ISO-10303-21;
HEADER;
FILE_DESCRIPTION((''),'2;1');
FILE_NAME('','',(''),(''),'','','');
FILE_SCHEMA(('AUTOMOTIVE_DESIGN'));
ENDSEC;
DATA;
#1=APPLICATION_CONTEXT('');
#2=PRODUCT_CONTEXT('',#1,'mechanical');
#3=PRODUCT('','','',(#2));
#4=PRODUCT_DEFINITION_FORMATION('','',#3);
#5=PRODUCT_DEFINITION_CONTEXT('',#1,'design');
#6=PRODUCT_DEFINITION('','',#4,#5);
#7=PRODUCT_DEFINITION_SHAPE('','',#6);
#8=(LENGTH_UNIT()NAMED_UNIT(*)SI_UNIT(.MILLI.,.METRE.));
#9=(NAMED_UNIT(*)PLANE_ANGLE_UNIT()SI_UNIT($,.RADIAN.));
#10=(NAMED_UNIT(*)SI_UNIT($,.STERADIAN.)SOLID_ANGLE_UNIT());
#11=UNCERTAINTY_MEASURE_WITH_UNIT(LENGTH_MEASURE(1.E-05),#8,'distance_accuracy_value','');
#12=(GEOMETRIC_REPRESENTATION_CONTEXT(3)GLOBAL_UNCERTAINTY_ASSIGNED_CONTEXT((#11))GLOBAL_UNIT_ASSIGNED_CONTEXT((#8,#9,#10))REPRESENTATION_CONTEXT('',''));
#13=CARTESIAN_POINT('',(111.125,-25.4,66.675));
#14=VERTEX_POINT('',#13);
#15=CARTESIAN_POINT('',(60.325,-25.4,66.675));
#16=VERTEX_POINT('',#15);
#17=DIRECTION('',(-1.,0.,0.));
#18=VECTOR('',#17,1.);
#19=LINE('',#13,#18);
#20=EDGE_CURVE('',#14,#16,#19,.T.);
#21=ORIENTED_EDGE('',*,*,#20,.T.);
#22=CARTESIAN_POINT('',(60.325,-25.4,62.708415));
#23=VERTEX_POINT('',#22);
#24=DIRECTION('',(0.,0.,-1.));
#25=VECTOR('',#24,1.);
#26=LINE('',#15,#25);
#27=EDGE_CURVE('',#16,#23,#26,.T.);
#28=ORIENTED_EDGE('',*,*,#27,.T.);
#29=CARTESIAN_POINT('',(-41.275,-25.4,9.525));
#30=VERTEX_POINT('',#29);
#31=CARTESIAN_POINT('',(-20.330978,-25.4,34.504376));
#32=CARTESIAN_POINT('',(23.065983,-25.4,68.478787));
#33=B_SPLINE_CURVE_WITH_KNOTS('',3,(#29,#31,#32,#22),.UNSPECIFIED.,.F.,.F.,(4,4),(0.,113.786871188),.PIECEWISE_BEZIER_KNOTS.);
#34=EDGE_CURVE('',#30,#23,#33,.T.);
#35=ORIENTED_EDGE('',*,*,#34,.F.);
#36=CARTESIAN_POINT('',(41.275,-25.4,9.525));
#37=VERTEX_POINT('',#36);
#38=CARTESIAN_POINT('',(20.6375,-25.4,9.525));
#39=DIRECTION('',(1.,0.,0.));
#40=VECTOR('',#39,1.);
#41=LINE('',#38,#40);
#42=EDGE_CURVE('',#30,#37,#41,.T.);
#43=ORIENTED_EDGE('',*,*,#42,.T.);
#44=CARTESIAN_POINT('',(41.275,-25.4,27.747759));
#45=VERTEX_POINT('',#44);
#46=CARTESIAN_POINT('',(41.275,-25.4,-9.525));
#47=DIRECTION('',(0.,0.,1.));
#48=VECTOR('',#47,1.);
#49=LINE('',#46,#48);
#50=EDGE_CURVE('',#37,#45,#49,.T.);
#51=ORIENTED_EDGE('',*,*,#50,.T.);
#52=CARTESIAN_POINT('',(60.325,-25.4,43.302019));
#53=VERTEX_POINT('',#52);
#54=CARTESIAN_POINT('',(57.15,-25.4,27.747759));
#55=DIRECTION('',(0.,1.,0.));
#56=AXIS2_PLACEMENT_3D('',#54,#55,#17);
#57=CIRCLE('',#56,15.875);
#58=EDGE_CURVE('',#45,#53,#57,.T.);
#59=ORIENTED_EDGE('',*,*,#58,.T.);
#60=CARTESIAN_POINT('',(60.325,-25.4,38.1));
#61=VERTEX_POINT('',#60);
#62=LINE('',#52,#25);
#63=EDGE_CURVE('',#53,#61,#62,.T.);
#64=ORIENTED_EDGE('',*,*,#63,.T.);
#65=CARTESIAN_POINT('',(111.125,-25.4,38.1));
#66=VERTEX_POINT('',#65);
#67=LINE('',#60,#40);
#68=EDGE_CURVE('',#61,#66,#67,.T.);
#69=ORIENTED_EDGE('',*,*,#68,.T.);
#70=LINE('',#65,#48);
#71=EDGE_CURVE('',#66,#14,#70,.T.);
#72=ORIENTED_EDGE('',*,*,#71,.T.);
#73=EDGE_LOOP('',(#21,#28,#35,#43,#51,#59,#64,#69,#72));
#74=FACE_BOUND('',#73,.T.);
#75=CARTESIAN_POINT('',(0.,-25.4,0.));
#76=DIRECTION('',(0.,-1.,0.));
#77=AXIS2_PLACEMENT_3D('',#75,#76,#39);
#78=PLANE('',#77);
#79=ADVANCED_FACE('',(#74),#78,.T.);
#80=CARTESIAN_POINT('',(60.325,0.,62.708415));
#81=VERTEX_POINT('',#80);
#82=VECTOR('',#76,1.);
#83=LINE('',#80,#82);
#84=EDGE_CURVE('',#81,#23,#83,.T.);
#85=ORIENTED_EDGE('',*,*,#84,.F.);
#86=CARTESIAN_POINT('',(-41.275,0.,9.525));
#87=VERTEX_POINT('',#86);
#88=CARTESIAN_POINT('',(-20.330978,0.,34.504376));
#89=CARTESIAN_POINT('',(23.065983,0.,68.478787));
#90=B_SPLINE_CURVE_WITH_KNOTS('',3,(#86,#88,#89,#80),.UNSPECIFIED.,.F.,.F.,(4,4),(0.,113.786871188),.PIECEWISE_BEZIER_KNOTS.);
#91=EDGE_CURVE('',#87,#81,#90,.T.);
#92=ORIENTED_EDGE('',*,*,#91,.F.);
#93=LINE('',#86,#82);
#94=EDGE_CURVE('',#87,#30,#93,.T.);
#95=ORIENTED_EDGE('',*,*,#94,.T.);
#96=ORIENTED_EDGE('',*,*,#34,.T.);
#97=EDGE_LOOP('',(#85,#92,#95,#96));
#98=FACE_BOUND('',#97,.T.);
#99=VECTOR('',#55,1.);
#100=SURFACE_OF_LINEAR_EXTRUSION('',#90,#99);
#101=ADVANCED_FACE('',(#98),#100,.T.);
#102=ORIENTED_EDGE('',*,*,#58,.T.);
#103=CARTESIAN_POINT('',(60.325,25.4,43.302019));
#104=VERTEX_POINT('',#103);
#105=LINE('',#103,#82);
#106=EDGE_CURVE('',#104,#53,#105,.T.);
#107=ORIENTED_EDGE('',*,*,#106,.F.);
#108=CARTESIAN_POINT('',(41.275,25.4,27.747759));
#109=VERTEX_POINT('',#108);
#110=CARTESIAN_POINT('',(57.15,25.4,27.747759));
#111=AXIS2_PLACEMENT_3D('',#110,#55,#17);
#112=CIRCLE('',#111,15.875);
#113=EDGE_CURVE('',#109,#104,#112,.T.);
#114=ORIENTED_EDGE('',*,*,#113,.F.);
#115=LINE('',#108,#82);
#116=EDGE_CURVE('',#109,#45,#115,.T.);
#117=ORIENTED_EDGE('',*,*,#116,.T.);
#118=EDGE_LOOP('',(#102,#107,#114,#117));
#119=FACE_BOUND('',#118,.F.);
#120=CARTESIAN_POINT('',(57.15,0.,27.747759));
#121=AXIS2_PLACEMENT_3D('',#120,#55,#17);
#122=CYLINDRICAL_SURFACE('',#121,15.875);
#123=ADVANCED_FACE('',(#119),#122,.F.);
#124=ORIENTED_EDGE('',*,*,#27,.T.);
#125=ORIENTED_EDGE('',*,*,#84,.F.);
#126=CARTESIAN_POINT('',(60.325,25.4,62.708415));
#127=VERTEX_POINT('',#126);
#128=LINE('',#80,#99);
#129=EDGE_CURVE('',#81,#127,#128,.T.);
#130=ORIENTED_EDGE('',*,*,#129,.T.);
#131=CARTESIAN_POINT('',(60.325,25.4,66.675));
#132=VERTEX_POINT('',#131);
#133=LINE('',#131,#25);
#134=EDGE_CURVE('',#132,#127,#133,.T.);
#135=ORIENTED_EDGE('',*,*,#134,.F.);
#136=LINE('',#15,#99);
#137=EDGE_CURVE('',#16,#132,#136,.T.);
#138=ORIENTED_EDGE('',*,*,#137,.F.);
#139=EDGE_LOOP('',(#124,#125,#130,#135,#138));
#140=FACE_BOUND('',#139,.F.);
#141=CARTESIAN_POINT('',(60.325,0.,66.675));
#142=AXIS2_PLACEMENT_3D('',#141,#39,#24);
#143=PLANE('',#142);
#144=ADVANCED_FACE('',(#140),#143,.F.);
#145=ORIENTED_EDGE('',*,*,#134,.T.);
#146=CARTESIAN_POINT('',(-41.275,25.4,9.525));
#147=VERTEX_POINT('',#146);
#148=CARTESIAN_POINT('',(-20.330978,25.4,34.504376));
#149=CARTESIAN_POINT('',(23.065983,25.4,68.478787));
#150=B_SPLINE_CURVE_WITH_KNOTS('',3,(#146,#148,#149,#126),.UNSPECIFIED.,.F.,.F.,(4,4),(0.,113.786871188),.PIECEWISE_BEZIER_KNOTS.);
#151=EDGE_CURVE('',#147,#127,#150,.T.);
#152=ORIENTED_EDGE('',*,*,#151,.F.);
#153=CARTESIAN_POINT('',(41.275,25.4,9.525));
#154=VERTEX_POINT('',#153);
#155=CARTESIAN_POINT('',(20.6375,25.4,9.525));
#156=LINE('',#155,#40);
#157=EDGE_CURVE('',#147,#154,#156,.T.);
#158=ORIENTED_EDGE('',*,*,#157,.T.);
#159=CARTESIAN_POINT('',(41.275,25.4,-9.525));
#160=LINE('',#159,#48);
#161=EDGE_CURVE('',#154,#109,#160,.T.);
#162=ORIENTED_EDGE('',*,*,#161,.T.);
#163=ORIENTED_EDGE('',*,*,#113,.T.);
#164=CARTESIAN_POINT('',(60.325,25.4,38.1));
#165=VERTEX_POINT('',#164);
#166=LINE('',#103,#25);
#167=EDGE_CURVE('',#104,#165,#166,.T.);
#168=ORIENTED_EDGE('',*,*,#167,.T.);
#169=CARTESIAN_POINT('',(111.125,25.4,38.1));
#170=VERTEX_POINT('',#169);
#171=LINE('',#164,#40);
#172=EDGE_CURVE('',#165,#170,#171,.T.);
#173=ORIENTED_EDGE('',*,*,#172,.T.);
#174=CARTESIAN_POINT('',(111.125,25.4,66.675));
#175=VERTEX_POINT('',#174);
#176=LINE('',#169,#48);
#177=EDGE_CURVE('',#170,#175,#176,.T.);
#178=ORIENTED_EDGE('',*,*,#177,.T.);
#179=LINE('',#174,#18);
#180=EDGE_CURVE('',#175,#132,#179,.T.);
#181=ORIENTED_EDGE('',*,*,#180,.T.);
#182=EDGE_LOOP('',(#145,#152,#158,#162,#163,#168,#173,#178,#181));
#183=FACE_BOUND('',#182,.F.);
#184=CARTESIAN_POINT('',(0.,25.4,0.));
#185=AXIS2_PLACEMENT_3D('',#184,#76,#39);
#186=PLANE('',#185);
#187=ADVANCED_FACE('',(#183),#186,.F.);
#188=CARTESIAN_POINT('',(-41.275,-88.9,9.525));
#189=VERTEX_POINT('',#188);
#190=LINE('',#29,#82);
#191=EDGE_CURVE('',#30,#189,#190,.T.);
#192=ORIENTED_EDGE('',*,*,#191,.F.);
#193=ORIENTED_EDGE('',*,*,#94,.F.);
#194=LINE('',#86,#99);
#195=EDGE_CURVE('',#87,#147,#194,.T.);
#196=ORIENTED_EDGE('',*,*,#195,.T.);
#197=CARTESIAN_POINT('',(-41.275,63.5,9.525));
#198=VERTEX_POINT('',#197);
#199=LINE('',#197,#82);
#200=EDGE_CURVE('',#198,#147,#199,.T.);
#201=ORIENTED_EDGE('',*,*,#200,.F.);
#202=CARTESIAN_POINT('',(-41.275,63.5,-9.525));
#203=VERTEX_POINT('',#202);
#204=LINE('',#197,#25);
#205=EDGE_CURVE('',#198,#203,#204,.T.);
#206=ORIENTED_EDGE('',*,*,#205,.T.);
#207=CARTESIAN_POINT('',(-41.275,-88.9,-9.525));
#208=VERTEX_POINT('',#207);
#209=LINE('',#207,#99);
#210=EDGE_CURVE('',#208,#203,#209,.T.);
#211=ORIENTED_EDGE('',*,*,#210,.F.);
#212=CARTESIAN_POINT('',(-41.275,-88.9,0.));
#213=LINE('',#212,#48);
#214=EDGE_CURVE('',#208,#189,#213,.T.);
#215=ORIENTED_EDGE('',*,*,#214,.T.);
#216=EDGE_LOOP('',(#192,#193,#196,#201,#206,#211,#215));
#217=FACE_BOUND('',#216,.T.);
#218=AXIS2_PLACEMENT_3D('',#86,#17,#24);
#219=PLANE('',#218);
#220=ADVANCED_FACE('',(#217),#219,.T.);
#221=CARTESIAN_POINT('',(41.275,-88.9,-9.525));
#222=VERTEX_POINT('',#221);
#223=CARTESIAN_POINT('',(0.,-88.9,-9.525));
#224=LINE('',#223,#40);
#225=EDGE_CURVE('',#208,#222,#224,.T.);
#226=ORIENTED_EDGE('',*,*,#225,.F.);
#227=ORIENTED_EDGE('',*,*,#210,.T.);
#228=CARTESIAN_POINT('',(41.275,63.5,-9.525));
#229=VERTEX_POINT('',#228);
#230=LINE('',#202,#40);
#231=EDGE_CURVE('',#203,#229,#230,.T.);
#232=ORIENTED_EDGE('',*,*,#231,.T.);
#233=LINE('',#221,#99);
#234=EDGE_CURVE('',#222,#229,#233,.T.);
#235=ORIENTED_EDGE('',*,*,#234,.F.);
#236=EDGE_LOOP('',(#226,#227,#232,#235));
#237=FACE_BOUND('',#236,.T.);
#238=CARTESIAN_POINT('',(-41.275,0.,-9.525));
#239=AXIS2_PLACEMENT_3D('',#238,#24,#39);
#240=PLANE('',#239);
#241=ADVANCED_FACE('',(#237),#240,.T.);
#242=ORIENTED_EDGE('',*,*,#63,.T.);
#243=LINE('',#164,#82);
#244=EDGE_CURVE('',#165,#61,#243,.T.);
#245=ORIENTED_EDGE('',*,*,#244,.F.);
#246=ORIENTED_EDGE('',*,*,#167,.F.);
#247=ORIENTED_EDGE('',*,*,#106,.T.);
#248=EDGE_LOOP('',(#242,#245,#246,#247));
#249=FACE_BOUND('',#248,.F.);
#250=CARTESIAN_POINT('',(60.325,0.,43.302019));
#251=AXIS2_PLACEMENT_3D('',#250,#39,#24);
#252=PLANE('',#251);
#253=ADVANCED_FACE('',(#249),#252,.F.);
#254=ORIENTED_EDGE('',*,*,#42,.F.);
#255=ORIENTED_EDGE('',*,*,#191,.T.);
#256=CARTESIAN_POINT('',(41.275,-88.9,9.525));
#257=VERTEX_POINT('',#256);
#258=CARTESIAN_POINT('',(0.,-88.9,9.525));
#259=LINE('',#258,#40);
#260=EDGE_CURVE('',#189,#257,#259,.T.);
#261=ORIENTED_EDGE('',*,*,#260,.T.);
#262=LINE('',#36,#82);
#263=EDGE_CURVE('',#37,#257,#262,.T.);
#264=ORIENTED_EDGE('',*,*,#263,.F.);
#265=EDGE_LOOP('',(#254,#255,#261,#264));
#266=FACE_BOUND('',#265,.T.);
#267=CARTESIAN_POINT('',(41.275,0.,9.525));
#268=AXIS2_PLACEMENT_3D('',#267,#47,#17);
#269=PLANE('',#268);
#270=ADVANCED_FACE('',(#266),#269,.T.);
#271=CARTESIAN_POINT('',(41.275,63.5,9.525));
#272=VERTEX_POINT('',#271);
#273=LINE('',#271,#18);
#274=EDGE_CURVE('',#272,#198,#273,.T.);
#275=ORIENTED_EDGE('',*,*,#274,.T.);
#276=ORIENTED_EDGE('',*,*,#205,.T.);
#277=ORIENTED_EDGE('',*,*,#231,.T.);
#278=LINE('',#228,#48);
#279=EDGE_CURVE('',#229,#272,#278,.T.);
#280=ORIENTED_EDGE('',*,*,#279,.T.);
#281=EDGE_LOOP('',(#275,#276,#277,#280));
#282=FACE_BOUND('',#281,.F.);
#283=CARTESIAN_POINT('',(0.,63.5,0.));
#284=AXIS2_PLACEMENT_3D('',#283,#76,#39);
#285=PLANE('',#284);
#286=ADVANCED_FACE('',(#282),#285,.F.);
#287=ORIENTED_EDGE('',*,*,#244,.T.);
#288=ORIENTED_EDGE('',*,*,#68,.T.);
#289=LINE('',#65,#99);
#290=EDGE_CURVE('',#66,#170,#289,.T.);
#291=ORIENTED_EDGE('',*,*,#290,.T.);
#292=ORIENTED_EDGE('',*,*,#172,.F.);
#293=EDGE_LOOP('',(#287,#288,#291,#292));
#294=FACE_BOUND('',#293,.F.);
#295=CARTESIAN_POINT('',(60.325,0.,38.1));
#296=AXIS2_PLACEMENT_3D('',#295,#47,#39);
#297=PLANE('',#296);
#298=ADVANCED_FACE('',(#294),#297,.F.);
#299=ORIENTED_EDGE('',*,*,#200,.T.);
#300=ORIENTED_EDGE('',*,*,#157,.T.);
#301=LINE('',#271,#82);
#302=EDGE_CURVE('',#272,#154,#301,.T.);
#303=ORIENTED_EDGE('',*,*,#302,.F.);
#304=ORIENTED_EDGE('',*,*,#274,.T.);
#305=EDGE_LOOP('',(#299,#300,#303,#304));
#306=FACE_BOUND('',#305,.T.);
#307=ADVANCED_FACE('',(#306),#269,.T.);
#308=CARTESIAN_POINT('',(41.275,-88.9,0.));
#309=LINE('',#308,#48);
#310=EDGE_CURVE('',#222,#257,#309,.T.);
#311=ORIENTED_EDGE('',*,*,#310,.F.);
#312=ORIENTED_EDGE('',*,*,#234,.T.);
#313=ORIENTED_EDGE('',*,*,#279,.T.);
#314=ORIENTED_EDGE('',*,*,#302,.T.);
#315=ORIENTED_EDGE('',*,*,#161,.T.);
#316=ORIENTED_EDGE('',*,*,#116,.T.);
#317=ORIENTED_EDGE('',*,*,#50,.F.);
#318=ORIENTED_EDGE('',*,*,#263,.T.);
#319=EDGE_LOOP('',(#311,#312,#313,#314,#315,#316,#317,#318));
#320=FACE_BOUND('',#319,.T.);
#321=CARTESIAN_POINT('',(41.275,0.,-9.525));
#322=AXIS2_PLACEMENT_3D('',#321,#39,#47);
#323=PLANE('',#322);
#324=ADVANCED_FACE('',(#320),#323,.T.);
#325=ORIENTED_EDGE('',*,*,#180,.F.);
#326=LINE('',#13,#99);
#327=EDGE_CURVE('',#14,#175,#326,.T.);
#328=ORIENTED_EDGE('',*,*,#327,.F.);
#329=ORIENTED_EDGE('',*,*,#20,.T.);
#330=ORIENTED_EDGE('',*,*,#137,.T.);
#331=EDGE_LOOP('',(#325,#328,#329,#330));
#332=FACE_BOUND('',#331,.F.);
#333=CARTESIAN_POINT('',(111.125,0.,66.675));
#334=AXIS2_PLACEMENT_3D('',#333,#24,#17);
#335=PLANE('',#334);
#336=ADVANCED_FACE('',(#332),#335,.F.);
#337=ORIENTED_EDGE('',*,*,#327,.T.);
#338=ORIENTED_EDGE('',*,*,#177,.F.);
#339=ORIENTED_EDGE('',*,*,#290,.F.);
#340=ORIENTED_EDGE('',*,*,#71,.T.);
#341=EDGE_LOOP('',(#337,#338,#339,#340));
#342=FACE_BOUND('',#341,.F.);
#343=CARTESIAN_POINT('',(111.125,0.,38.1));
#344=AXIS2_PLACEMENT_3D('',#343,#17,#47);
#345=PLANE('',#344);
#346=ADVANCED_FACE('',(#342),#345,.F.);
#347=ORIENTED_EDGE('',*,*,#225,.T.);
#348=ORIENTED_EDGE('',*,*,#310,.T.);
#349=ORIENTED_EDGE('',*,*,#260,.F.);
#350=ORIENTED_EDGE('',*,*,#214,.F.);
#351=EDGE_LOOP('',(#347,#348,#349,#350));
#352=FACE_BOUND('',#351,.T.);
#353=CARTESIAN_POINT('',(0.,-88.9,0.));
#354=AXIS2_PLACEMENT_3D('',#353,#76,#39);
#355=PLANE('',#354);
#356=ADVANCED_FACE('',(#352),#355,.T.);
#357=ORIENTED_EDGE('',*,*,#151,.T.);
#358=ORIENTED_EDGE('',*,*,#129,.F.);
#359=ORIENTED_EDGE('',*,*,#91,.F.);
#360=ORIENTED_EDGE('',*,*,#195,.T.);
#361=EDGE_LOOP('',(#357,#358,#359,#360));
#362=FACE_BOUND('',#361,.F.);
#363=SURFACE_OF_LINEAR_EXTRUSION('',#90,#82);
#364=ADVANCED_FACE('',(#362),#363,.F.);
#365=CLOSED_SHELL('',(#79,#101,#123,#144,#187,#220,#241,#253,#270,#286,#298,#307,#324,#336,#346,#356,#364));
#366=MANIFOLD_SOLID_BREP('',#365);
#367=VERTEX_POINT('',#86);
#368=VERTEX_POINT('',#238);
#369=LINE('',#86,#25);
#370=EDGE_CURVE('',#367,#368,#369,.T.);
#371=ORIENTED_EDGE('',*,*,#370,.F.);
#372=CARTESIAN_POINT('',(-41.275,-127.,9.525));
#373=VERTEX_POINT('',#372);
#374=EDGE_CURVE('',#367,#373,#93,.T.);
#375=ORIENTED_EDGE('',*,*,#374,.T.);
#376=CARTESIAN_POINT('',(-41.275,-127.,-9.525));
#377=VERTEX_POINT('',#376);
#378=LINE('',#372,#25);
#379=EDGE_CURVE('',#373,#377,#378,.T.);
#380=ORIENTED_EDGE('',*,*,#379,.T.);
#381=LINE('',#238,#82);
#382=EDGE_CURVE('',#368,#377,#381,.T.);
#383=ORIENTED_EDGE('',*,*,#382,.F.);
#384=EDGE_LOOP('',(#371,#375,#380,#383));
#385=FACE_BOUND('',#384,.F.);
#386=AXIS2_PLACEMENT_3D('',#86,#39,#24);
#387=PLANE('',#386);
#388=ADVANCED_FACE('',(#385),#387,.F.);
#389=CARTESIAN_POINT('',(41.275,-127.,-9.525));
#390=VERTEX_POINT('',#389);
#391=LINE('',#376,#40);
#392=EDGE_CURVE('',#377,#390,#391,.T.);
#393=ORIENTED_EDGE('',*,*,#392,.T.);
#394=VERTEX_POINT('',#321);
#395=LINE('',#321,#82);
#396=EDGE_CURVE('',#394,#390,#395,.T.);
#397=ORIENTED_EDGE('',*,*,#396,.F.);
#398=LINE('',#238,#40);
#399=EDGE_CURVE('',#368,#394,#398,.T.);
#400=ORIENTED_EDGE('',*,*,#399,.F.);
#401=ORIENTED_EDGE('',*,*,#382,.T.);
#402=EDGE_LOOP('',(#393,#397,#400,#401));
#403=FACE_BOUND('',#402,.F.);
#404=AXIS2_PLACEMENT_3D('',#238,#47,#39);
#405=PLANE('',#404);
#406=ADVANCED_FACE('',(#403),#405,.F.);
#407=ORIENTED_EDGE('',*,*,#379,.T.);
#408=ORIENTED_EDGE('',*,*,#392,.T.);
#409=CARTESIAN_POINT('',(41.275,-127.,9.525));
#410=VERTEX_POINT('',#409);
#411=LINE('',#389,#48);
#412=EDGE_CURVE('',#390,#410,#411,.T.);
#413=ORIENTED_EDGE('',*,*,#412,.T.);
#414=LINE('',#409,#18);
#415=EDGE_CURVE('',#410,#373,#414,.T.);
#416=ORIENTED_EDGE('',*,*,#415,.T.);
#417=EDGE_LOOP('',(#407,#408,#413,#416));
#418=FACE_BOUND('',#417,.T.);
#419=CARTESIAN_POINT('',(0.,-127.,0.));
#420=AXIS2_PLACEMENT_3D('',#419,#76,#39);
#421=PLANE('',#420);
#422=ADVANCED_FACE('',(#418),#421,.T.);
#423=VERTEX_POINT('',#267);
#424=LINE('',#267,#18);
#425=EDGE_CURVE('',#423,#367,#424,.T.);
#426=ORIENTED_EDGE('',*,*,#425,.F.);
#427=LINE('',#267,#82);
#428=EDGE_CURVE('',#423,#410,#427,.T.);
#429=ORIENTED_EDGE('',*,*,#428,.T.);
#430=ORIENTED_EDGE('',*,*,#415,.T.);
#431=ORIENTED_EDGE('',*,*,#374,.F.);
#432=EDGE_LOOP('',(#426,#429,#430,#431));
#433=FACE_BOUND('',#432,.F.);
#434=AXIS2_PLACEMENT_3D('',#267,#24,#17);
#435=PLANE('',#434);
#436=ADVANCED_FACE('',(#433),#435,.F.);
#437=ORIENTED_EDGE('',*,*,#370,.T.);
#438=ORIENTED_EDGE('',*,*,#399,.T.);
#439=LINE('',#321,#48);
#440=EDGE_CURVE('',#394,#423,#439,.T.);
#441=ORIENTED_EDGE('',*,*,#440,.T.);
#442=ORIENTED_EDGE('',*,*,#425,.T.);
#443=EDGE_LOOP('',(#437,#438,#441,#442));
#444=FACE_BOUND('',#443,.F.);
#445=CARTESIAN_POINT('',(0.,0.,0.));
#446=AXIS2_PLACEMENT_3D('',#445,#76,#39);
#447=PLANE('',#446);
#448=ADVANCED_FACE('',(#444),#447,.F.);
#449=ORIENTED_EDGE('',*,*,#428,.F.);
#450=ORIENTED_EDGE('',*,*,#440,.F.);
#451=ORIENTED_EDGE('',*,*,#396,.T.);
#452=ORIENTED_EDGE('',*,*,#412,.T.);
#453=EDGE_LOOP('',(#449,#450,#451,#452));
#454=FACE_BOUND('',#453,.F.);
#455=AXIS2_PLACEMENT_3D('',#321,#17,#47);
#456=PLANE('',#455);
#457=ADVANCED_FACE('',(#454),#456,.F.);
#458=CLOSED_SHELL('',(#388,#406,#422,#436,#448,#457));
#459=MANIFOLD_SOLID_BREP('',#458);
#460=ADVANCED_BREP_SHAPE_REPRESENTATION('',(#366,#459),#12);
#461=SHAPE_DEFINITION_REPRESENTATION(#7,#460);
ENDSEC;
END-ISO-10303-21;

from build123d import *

# Parameters (mm, degrees)
F1_DEPTH  = 63.5
F1_FACE_W = 82.55
F1_FACE_H = 19.05
F2_DEPTH  = 25.4
F3_DEPTH  = 127


with BuildPart() as f1:
    # F0 (on Front) → F1 (new body, symmetric)
    with BuildSketch(Plane.XZ):
        Polygon((41.275, -9.525), (41.275, 9.525), (22.225, 9.525), (-41.275, 9.525), (-41.275, -9.525), align=None)
    extrude(amount=F1_DEPTH, both=True)

    # F0 (on Front) + F1_face (on face) → F2 (join, symmetric)
    with BuildSketch(Plane.XZ):
        Polygon((41.275, -9.525), (41.275, 9.525), (22.225, 9.525), (-41.275, 9.525), (-41.275, -9.525), align=None)
        with BuildLine():
            Line((22.225, 9.525), (41.275, 9.525))
            Line((41.275, 9.525), (41.275, 27.7477587237))
            ThreePointArc((41.275, 27.7477587237), (47.109768429, 40.0444808479), (60.325, 43.3020185904))
            Line((60.325, 43.3020185904), (60.325, 62.5281411253))
            ThreePointArc((60.325, 62.5281411253), (33.6035698035, 53.5415806584), (22.225, 27.7477587237))
            Line((22.225, 27.7477587237), (22.225, 9.525))
        make_face()
        with BuildLine():
            Line((-41.275, 9.525), (22.225, 9.525))
            Line((22.225, 9.525), (22.225, 27.7477587237))
            ThreePointArc((22.225, 27.7477587237), (33.6035698035, 53.5415806584), (60.325, 62.5281411253))
            Line((60.325, 62.5281411253), (60.325, 62.7084151164))
            add(Edge.make_bspline(
                [(-41.275, 9.525), (-20.3309781441, 34.5043759714), (23.0659828176, 68.4787866604), (60.325, 62.7084151164)],
                knots=[0, 0, 0, 0, 113.7868711882, 113.7868711882, 113.7868711882, 113.7868711882], degree=3))
        make_face()
        with BuildLine():
            ThreePointArc((61.9641609272, 42.8752), (61.1502770663, 43.1104866193), (60.325, 43.3020185904))
            Line((60.325, 43.3020185904), (60.325, 38.1))
            Line((60.325, 38.1), (111.125, 38.1))
            Line((111.125, 38.1), (111.125, 66.675))
            Line((111.125, 66.675), (60.325, 66.675))
            Line((60.325, 66.675), (60.325, 62.7084151164))
            add(Edge.make_bspline(
                [(60.325, 62.7084151164), (61.6709115762, 62.4999713504), (63.0088138781, 62.2396654496), (64.3373592373, 61.9252)],
                knots=[113.7868711882, 113.7868711882, 113.7868711882, 113.7868711882, 117.8972068529, 117.8972068529, 117.8972068529, 117.8972068529], degree=3))
            Line((64.3373592373, 61.9252), (85.725, 61.9252))
            Line((85.725, 61.9252), (85.725, 42.8752))
            Line((85.725, 42.8752), (61.9641609272, 42.8752))
        make_face()
        with BuildLine():
            Line((60.325, 62.5281411253), (60.325, 43.3020185904))
            ThreePointArc((60.325, 43.3020185904), (61.1502770663, 43.1104866193), (61.9641609272, 42.8752))
            Line((61.9641609272, 42.8752), (85.725, 42.8752))
            Line((85.725, 42.8752), (85.725, 61.9252))
            Line((85.725, 61.9252), (64.3373592373, 61.9252))
            ThreePointArc((64.3373592373, 61.9252), (62.3399428456, 62.2849867286), (60.325, 62.5281411253))
        make_face()
        with BuildLine():
            add(Edge.make_bspline(
                [(60.325, 62.7084151164), (61.6709115762, 62.4999713504), (63.0088138781, 62.2396654496), (64.3373592373, 61.9252)],
                knots=[113.7868711882, 113.7868711882, 113.7868711882, 113.7868711882, 117.8972068529, 117.8972068529, 117.8972068529, 117.8972068529], degree=3))
            Line((60.325, 62.7084151164), (60.325, 62.5281411253))
            ThreePointArc((60.325, 62.5281411253), (62.3399428456, 62.2849867286), (64.3373592373, 61.9252))
        make_face()
    with BuildSketch(Plane.XZ.offset(63.5)):
        Rectangle(F1_FACE_W, F1_FACE_H)
    extrude(amount=F2_DEPTH, both=True)


with BuildPart() as f3:
    # F0 (on Front) → F3 (new body)
    with BuildSketch(Plane.XZ):
        Polygon((41.275, -9.525), (41.275, 9.525), (22.225, 9.525), (-41.275, 9.525), (-41.275, -9.525), align=None)
    extrude(amount=F3_DEPTH)


solid = Compound([f1.part, f3.part])
